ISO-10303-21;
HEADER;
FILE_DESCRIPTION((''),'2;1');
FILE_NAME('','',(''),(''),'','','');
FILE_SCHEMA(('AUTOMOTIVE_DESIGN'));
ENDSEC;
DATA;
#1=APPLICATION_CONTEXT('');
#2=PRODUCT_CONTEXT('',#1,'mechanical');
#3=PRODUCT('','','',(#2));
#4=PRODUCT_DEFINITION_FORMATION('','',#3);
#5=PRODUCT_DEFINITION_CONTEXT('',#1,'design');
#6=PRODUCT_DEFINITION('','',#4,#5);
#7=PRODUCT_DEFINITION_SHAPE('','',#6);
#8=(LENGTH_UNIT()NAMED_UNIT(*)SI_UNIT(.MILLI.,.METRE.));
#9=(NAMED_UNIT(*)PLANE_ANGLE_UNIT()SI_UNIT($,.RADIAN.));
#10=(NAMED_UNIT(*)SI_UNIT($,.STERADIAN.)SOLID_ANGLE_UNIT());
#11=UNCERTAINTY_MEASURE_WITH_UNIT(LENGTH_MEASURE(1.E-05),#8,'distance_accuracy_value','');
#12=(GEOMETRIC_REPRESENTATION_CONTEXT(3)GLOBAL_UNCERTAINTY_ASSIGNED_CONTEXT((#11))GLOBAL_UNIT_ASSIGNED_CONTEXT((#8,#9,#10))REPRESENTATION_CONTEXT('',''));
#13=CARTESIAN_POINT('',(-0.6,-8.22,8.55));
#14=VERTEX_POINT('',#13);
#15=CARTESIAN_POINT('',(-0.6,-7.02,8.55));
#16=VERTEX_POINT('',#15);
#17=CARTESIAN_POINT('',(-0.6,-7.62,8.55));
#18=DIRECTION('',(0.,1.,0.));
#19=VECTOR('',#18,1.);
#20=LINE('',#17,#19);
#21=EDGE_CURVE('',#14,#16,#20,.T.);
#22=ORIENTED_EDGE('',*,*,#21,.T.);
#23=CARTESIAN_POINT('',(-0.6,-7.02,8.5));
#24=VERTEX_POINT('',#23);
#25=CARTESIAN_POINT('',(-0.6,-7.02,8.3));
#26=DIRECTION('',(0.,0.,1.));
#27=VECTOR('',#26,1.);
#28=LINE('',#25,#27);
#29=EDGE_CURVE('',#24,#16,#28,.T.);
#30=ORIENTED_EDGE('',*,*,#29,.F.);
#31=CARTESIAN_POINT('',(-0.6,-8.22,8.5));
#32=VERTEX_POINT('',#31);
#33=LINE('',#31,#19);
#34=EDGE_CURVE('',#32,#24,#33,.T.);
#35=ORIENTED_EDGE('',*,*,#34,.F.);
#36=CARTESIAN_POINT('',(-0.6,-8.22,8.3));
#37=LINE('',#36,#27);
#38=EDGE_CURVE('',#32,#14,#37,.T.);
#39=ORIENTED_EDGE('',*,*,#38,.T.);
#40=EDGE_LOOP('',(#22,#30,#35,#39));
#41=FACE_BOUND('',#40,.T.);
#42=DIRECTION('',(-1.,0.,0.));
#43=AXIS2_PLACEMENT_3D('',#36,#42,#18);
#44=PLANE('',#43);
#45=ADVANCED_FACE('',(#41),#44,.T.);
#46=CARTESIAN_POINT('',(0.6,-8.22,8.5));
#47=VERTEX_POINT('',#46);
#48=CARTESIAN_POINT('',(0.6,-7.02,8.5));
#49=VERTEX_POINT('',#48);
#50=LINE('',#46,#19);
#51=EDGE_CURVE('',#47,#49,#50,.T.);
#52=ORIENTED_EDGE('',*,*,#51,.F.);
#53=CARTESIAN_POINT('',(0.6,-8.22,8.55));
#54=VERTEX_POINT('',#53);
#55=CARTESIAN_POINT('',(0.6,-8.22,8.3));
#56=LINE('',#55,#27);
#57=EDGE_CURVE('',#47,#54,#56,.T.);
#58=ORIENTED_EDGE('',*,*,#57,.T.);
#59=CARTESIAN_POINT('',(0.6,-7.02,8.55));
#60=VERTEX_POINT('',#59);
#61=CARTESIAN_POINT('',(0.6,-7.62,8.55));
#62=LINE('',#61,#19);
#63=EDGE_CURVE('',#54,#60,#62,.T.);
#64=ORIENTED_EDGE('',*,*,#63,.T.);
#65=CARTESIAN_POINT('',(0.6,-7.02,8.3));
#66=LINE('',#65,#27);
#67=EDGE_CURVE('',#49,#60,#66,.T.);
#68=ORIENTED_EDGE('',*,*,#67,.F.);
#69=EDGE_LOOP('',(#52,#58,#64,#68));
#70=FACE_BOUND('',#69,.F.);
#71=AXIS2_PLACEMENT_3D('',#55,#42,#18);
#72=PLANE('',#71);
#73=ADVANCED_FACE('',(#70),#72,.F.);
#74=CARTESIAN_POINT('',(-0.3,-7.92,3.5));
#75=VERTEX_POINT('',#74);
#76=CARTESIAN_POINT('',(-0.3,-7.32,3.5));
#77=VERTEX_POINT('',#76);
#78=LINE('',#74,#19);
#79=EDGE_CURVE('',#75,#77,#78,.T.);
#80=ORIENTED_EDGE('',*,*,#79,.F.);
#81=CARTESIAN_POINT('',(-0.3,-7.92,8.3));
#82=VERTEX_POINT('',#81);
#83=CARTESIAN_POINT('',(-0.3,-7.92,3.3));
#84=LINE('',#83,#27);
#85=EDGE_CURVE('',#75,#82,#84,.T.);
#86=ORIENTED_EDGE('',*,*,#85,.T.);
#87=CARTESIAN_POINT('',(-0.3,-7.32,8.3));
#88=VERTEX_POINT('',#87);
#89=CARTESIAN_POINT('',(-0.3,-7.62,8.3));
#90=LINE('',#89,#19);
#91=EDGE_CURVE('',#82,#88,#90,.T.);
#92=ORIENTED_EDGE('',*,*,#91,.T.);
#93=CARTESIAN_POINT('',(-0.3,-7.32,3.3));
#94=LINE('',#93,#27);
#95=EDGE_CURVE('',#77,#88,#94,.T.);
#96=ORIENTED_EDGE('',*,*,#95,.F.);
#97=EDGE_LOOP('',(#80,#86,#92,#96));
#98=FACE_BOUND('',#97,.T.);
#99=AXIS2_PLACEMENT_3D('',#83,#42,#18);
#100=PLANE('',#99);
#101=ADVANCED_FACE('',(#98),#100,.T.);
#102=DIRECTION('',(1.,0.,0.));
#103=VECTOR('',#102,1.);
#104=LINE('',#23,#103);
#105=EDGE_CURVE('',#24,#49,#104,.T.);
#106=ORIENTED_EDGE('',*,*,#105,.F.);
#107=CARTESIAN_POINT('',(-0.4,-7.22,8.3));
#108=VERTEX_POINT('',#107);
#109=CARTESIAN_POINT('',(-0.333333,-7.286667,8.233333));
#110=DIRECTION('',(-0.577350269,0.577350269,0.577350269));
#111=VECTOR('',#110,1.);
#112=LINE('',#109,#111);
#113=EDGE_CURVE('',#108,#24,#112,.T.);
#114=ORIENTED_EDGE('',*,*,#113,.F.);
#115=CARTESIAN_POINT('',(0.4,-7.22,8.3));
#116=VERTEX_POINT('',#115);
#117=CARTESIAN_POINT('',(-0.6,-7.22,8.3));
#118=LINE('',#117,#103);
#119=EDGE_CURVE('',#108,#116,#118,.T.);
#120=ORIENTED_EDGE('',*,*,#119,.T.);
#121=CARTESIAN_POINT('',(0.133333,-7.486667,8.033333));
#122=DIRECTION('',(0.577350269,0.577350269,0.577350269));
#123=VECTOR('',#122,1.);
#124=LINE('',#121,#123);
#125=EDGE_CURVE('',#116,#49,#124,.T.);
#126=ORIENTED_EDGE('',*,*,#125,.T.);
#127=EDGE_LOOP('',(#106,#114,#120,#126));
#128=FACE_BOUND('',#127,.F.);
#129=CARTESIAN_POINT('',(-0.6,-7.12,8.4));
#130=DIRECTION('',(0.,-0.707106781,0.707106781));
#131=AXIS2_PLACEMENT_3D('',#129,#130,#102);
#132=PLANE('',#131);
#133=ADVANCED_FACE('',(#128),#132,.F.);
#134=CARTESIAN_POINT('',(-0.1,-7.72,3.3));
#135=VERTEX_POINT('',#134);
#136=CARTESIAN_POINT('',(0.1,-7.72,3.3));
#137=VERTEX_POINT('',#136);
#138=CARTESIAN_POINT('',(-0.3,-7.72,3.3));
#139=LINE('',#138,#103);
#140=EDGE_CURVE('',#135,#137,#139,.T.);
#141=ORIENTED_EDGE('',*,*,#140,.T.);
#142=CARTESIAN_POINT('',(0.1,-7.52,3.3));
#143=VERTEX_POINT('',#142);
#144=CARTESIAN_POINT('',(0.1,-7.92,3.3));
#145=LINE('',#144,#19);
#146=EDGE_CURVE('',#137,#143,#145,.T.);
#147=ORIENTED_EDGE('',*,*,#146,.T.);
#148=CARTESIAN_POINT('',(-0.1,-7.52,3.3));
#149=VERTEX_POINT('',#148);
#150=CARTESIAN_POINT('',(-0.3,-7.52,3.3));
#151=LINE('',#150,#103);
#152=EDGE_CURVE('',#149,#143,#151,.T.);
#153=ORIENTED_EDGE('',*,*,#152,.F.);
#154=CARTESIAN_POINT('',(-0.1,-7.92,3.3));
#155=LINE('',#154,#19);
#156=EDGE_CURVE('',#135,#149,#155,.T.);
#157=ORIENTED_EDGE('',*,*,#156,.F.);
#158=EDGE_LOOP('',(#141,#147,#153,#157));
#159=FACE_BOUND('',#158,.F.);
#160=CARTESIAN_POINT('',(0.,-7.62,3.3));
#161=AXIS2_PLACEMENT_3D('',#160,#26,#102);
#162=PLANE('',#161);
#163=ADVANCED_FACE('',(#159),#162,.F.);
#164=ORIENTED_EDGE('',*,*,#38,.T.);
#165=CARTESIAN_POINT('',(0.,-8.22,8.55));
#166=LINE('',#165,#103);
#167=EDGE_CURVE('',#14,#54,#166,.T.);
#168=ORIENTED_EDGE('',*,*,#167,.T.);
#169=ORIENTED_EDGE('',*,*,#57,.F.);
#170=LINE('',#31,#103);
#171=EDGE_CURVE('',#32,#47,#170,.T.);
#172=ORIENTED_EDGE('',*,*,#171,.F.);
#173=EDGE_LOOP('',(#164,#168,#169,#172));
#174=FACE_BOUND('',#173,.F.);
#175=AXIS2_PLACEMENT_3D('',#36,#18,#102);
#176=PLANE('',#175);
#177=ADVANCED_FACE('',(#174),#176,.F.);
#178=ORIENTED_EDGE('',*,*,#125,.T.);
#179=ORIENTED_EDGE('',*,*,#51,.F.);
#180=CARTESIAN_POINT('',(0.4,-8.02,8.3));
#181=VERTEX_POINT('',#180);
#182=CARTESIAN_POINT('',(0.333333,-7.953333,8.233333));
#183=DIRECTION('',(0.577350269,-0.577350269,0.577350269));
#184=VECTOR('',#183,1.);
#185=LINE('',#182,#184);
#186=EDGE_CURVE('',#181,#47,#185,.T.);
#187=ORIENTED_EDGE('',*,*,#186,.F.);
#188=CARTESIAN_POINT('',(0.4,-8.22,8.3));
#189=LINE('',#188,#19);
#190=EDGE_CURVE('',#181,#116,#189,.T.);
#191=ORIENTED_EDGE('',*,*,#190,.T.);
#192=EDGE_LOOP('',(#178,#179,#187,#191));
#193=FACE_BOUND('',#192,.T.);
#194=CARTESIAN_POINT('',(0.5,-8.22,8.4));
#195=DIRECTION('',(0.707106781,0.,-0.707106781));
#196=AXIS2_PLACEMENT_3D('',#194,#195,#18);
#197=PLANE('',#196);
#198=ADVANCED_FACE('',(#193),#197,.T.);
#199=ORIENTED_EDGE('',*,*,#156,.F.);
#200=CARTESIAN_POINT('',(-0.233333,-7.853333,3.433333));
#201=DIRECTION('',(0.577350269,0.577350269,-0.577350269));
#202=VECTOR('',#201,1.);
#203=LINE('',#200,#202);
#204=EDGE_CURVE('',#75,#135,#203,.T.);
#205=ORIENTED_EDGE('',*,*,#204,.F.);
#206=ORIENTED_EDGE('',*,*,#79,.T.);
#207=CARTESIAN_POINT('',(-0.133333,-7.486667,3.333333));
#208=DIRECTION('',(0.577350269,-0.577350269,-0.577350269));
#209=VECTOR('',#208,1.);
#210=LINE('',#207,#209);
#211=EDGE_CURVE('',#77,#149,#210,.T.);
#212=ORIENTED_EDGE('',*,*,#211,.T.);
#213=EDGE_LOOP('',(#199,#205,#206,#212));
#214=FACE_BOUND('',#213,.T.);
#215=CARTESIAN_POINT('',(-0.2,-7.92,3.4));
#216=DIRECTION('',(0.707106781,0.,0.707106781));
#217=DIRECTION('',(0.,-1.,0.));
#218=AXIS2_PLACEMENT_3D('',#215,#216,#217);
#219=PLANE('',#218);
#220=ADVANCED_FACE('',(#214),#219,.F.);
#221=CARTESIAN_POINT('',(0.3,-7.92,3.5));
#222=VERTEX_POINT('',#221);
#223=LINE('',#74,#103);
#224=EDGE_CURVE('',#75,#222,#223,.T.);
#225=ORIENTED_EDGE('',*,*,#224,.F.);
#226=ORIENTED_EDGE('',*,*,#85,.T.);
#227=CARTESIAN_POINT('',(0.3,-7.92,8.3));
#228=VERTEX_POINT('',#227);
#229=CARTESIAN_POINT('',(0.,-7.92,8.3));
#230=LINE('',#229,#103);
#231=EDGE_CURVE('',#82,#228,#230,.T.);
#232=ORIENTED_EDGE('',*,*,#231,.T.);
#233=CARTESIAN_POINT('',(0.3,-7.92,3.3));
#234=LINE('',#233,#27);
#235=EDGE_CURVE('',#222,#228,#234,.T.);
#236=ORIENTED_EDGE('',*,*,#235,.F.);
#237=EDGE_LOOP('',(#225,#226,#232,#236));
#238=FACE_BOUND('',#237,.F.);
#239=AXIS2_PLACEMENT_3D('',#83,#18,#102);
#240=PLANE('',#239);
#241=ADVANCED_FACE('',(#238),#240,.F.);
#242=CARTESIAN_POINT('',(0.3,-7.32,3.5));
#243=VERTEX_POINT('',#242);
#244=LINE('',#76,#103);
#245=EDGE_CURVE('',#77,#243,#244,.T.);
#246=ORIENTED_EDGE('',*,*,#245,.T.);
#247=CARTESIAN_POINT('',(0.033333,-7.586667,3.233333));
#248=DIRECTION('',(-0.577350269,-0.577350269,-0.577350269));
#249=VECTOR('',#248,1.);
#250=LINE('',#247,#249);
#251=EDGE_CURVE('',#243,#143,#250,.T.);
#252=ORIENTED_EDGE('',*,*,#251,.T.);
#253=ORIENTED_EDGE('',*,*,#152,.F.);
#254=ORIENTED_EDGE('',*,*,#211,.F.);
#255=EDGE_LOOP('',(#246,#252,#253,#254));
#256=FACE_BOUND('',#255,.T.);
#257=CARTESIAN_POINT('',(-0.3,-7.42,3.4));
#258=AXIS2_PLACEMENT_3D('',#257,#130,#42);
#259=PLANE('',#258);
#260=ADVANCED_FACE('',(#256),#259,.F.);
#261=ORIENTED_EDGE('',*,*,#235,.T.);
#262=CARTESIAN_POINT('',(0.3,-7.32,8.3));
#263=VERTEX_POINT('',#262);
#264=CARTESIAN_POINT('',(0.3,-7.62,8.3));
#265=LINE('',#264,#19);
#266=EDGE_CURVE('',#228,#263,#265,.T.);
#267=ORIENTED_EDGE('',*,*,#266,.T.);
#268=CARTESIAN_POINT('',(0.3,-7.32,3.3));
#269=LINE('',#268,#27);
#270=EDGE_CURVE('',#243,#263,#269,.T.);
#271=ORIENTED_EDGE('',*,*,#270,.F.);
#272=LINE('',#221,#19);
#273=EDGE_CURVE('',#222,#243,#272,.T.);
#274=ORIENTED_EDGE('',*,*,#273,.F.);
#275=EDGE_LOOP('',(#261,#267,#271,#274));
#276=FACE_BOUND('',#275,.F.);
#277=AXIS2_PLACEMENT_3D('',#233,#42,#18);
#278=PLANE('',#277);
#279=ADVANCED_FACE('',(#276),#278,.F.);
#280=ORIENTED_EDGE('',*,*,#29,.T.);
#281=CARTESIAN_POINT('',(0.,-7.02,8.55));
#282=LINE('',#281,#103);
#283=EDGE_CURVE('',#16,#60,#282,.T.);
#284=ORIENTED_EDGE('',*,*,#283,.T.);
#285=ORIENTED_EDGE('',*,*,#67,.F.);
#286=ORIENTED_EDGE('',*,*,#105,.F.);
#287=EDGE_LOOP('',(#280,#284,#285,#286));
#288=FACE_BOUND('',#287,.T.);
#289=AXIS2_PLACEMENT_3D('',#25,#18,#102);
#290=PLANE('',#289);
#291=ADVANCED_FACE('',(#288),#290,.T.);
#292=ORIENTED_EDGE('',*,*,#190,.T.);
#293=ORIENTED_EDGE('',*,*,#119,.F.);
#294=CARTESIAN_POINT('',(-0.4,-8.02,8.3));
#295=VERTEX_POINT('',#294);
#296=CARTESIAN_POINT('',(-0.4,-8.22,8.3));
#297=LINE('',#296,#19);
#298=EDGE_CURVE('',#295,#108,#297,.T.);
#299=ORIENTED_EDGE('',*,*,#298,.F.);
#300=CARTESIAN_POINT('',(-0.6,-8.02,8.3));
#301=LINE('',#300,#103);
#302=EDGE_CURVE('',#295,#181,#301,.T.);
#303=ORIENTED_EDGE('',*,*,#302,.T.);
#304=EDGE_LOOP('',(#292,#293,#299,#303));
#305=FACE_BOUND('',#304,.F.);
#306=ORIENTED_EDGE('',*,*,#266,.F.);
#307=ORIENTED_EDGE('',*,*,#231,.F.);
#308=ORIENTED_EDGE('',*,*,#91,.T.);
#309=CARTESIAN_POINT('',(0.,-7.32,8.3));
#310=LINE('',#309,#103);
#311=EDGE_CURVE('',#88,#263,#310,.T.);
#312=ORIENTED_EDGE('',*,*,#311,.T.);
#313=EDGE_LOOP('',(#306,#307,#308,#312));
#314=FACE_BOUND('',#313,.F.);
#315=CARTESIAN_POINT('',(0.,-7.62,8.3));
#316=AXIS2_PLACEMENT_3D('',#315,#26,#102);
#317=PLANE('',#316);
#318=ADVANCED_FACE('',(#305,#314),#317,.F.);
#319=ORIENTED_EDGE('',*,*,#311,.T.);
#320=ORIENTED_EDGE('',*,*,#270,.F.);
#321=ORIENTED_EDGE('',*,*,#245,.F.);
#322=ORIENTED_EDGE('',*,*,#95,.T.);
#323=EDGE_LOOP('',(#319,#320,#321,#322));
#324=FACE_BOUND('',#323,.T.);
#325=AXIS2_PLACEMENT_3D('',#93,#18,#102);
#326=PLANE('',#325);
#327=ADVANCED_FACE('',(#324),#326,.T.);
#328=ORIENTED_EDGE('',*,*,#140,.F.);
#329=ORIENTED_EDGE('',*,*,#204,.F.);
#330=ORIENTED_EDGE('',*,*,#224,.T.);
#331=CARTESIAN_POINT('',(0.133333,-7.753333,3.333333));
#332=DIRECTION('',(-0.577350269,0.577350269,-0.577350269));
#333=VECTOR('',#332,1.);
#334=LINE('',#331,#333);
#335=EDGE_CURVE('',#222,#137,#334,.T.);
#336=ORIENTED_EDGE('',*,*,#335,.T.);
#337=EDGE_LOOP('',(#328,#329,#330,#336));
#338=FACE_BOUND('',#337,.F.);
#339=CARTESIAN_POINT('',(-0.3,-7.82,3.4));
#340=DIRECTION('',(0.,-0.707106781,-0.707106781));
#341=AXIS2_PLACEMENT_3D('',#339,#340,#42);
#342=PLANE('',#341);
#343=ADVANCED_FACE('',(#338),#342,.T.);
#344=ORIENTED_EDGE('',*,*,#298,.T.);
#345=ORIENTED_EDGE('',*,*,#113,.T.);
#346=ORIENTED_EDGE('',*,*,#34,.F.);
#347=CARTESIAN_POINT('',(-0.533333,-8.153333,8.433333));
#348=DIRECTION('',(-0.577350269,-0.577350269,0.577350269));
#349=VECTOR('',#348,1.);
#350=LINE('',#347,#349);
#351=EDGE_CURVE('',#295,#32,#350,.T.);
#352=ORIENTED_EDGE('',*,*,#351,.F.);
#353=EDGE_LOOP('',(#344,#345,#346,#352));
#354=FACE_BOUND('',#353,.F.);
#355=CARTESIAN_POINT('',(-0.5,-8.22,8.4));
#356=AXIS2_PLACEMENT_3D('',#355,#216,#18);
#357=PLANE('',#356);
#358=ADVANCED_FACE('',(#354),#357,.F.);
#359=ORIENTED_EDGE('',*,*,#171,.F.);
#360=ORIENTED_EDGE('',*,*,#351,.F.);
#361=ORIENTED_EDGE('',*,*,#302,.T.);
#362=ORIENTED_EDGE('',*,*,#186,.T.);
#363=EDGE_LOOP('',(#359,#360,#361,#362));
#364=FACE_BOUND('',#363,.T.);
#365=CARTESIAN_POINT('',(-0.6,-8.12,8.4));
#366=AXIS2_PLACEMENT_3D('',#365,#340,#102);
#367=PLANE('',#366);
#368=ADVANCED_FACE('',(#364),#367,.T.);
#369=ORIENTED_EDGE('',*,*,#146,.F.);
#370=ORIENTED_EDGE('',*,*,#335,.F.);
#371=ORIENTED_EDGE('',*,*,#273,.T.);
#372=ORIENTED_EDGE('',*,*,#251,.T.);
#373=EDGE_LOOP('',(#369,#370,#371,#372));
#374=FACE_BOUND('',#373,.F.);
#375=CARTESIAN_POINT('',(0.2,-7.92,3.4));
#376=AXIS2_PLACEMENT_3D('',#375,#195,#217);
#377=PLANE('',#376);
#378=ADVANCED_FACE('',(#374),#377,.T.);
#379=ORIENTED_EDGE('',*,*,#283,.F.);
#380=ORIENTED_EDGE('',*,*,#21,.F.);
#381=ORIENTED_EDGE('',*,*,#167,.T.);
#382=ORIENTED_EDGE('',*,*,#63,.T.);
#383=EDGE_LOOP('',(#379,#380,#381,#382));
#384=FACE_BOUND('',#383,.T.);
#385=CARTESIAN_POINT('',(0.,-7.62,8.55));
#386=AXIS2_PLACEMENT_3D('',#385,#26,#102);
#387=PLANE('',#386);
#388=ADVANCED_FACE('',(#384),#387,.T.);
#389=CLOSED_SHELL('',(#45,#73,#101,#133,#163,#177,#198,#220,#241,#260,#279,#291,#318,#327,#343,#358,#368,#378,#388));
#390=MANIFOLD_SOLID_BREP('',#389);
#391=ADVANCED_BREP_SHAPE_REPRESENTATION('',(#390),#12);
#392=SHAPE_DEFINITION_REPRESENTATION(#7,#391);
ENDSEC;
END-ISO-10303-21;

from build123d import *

# Parameters (mm, degrees)
SKETCH_W        = 0.6
SKETCH_H        = 0.6
PAD_DEPTH       = 5
SKETCH001_W     = 1.2
SKETCH001_H     = 1.2
PAD001_DEPTH    = 0.25
CHAMFER_SIZE    = 0.2
CHAMFER001_SIZE = 0.2


with BuildPart() as part:
    # Sketch → Pad (new body)
    with BuildSketch(Plane.XY):
        Rectangle(SKETCH_W, SKETCH_H)
    extrude(amount=PAD_DEPTH)

    # Sketch001 (on Face6 of Pad) → Pad001 (join)
    with BuildSketch(Plane.XY.offset(5)):
        Rectangle(SKETCH001_W, SKETCH001_H)
    extrude(amount=PAD001_DEPTH)

    # Chamfer
    chamfer_edges = [part.edges().sort_by_distance(p)[0] for p in [
        (0, -0.3, 0),
        (0.3, 0, 0),
        (0, 0.3, 0),
        (-0.3, 0, 0),
    ]]
    chamfer(chamfer_edges, length=CHAMFER_SIZE)

    # Chamfer001
    chamfer001_edges = [part.edges().sort_by_distance(p)[0] for p in [
        (-0.6, 0, 5),
        (0, 0.6, 5),
        (0.6, 0, 5),
        (0, -0.6, 5),
    ]]
    chamfer(chamfer001_edges, length=CHAMFER001_SIZE)


with BuildPart() as part_1:
    # Body placement: moved
    add(part.part.moved(Location((0, -7.62, 3.3))))


solid = part_1.part
